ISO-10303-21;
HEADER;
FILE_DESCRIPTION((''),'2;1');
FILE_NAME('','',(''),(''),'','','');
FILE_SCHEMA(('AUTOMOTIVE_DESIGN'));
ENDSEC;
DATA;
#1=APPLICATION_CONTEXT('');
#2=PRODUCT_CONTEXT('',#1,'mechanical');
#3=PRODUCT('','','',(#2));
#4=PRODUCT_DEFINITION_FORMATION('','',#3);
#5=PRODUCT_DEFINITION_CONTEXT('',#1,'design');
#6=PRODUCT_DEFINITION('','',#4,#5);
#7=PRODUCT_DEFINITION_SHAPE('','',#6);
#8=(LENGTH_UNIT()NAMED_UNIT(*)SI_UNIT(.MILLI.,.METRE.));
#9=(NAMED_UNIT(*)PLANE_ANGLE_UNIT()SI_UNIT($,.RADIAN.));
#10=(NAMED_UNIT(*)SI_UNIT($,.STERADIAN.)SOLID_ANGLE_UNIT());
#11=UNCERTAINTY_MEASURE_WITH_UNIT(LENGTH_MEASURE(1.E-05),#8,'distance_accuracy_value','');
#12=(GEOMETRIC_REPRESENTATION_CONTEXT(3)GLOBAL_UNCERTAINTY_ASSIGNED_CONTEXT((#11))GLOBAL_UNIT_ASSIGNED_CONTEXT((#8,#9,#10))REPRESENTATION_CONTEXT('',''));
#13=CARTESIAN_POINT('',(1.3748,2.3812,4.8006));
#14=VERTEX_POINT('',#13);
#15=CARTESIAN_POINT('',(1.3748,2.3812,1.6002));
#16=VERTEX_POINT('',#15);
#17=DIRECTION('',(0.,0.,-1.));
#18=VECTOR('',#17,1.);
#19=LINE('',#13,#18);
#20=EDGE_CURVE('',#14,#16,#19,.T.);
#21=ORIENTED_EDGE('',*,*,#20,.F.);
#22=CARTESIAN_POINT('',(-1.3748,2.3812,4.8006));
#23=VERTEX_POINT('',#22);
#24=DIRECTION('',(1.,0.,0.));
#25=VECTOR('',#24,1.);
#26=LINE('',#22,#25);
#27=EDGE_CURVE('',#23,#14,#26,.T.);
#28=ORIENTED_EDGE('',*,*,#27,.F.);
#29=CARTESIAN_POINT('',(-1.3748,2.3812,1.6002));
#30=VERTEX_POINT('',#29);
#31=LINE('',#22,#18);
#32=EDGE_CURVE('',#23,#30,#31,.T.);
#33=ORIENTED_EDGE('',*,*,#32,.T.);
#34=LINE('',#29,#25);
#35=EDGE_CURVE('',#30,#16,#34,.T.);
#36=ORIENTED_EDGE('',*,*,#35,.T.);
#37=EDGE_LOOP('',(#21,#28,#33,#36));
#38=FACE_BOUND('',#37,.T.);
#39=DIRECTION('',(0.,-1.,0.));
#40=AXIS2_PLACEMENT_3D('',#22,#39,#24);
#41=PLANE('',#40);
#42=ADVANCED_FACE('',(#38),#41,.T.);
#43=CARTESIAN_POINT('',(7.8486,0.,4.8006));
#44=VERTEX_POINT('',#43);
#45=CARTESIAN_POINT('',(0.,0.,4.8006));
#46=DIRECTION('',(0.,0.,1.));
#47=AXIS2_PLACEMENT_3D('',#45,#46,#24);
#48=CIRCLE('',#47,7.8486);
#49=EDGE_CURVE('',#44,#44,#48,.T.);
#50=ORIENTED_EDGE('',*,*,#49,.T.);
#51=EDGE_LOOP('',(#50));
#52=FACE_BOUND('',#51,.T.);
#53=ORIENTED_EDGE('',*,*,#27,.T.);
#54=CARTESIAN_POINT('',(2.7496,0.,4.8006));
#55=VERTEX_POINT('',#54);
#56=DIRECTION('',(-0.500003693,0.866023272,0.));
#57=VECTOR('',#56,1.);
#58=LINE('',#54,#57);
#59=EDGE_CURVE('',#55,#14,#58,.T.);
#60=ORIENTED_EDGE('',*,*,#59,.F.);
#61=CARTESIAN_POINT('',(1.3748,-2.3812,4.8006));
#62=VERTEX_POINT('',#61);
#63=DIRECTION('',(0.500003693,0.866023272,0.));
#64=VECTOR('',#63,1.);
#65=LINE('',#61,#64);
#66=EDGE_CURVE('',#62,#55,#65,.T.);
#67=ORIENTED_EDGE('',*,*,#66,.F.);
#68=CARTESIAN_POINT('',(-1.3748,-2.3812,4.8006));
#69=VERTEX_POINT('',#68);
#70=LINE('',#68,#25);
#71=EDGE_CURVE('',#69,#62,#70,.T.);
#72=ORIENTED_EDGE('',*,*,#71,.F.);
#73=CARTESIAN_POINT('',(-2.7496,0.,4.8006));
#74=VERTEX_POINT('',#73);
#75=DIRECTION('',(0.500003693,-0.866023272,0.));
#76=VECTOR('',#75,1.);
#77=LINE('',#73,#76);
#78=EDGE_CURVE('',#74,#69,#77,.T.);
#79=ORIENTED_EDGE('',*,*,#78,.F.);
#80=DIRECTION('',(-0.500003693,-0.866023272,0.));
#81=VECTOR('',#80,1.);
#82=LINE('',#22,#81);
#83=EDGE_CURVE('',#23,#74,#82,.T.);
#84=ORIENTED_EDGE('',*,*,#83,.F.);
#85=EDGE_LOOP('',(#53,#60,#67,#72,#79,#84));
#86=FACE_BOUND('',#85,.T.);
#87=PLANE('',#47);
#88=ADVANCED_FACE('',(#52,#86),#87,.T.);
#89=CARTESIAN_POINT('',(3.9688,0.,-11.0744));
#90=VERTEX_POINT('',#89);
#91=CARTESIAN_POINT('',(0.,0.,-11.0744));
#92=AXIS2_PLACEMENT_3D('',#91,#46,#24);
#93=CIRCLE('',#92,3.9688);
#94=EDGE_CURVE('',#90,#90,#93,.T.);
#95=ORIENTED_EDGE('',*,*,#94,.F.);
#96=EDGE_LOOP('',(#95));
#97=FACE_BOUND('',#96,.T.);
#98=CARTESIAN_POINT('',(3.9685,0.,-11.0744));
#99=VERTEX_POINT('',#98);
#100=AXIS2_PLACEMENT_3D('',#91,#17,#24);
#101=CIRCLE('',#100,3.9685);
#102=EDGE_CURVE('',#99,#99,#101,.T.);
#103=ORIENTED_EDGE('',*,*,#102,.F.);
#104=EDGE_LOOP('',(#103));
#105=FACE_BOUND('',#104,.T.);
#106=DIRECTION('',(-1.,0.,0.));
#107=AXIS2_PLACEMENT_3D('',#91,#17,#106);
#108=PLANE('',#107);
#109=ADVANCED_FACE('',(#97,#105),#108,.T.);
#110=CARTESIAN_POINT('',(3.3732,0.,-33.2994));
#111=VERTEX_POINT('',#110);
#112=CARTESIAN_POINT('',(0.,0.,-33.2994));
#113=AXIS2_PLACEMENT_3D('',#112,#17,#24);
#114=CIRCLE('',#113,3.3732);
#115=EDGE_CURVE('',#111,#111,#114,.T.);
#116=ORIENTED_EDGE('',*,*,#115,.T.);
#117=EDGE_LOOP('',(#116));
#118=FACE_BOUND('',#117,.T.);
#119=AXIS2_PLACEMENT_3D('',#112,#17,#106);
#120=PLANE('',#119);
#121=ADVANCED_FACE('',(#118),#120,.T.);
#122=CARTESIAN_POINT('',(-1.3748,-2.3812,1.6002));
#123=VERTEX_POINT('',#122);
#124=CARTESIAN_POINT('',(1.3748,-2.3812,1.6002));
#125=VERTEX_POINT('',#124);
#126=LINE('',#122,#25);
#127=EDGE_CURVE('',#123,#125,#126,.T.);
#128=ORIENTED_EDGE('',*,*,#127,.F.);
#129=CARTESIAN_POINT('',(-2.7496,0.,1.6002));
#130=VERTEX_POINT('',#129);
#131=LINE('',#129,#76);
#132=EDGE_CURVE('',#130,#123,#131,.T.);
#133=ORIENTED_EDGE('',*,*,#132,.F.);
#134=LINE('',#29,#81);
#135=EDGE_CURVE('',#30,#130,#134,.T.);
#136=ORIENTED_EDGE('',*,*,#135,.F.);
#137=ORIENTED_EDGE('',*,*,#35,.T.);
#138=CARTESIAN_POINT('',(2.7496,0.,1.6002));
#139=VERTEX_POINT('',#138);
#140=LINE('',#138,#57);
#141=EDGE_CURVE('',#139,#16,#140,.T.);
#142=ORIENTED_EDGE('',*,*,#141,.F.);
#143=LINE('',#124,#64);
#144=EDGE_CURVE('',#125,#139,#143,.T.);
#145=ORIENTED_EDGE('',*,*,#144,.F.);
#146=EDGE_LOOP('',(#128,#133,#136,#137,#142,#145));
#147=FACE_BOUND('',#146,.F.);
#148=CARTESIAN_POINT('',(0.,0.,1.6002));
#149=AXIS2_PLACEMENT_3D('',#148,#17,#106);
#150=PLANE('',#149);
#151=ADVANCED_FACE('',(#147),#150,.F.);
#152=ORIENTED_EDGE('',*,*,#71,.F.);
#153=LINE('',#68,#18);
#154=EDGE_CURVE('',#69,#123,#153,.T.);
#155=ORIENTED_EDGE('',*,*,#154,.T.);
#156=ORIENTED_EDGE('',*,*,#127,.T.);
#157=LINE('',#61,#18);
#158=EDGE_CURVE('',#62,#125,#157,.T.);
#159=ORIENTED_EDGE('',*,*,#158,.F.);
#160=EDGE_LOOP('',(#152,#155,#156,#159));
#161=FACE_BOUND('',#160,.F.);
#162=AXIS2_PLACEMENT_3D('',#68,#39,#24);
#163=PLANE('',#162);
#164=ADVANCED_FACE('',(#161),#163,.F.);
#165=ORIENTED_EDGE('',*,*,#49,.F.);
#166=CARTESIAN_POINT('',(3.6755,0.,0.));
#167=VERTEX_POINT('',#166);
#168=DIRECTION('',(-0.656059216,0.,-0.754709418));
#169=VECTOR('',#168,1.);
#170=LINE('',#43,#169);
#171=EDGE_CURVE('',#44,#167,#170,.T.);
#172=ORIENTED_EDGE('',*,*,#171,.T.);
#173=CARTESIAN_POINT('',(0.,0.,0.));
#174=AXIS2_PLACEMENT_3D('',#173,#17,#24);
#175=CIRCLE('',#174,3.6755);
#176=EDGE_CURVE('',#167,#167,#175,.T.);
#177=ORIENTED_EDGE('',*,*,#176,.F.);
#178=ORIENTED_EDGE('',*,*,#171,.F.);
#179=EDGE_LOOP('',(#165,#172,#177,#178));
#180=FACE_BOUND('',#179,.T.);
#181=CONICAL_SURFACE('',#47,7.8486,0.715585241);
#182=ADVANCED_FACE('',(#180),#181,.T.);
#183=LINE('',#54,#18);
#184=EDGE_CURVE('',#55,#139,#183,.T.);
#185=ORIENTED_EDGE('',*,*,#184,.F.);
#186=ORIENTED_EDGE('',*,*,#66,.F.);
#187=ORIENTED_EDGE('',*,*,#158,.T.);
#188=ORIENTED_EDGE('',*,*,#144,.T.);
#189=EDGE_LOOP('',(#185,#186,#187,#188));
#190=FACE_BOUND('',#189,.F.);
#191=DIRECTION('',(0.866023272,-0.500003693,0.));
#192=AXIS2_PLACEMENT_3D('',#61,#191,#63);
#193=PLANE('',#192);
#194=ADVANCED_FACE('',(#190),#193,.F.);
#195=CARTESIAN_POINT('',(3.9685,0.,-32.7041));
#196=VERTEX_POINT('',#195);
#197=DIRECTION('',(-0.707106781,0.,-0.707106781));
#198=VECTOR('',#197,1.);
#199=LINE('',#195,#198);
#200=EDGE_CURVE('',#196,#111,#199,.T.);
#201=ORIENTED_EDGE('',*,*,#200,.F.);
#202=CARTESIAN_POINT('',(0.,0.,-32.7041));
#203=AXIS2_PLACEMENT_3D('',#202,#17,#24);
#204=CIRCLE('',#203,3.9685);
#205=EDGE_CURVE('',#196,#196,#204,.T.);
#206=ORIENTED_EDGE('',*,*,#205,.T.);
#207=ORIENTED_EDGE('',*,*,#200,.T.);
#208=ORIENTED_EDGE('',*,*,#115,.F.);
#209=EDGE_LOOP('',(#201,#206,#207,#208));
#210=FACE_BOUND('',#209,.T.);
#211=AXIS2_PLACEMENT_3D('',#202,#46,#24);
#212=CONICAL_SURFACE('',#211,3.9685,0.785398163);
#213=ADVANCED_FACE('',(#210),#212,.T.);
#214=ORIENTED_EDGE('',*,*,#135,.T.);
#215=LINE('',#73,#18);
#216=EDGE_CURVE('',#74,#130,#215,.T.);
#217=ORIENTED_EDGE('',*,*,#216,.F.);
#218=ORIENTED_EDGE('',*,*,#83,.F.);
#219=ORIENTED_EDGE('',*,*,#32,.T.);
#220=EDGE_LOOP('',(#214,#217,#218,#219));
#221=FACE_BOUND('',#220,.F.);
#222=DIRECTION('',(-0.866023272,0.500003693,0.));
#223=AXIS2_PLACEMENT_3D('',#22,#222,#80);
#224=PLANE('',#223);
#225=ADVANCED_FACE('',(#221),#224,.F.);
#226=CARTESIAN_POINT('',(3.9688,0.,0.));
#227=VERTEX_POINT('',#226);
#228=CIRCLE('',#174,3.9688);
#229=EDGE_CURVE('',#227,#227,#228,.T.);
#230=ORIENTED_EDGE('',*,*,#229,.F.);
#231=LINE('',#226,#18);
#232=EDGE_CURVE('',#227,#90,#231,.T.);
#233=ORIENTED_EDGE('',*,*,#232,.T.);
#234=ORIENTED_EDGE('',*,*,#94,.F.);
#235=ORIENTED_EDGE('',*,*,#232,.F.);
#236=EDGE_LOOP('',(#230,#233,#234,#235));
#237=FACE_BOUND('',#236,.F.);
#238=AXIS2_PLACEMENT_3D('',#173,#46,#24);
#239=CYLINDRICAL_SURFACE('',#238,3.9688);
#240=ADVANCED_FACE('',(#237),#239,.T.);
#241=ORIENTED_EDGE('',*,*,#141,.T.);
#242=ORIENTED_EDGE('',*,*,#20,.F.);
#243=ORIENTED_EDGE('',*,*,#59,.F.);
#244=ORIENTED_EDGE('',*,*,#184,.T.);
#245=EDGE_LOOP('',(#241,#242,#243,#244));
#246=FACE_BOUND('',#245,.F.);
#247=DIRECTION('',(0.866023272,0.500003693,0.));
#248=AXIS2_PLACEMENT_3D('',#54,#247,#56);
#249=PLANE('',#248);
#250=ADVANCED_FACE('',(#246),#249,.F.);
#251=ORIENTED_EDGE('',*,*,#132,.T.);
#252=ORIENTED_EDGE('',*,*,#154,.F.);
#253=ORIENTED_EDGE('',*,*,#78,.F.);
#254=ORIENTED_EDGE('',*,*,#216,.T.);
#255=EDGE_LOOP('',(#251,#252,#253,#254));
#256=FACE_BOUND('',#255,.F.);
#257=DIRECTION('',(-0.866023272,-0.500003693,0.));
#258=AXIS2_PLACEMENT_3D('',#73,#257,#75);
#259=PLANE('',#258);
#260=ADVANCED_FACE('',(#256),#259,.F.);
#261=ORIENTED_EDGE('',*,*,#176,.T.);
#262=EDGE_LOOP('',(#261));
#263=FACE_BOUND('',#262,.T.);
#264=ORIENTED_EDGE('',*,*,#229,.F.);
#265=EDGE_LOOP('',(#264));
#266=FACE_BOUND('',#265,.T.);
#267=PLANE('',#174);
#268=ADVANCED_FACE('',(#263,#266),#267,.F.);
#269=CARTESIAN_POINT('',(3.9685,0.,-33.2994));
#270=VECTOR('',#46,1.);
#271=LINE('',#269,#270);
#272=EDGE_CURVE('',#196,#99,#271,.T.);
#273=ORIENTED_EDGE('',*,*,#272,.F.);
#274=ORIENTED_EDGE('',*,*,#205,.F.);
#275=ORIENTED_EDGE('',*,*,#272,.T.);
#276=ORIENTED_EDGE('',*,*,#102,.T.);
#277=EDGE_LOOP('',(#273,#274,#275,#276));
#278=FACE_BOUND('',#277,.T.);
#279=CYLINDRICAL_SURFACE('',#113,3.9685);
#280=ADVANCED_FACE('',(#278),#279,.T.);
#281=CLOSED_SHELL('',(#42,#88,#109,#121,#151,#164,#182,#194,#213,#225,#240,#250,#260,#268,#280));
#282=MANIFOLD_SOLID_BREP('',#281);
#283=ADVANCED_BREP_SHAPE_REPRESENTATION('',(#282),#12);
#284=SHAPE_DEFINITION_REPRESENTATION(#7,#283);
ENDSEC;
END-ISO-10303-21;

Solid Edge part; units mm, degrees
sketch "Sketch1" plane through (0, 0, 0) normal (0, 0, 1) x (1, 0, 0)
  circle A0 centre (0, 0) radius 7.8486
  dimension "D1" = 15.6972
extrude "Protrusion1" add sketch "Sketch1" along normal blind 4.8006
sketch "Sketch2" plane through (0, 0, 0) normal (0, 0, -1) x (1, 0, 0)
  circle A0 centre (0, 0) radius 3.9688
extrude "Protrusion2" add sketch "Sketch2" along normal blind 33.2994
sketch "Sketch3" plane through (0, 0, -33.2994) normal (0, 0, -1) x (1, 0, 0)
  circle A0 centre (0, 0) radius 3.9685
extrude "Cutout1" cut sketch "Sketch3" against normal blind 22.225 flip side to cut
chamfer "Chamfer_1" distance 0.5953 angle 45 1 edges at (-3.9685, 0, -33.2994)
sketch "Sketch4" plane through (0, 0, 4.8006) normal (0, 0, 1) x (1, 0, 0)
  line L0 (-1.3748, 2.3812) -> (1.3748, 2.3812)
  line L1 (2.7496, 0) -> (1.3748, 2.3812)
  line L2 (1.3748, -2.3812) -> (2.7496, 0)
  line L3 (-1.3748, -2.3812) -> (1.3748, -2.3812)
  line L4 (-2.7496, 0) -> (-1.3748, -2.3812)
  line L5 (-1.3748, 2.3812) -> (-2.7496, 0)
  dimension "D1" = 4.7625
extrude "Cutout2" cut sketch "Sketch4" against normal blind 3.2004
sketch "Sketch5" plane through (0, 0, 0) normal (0, -1, 0) x (1, 0, 0)
  line L0 (7.8486, 4.8006) -> (3.6755, 0)
  line L1 (3.6755, 0) -> (7.8486, 0)
  line L2 (7.8486, 0) -> (7.8486, 4.8006)
revolve "RevolvedCutout1" cut sketch "Sketch5" angle 360 about axis through (0, 0, 14.0017) along (0, 0, -1)
properties part number "117617"
